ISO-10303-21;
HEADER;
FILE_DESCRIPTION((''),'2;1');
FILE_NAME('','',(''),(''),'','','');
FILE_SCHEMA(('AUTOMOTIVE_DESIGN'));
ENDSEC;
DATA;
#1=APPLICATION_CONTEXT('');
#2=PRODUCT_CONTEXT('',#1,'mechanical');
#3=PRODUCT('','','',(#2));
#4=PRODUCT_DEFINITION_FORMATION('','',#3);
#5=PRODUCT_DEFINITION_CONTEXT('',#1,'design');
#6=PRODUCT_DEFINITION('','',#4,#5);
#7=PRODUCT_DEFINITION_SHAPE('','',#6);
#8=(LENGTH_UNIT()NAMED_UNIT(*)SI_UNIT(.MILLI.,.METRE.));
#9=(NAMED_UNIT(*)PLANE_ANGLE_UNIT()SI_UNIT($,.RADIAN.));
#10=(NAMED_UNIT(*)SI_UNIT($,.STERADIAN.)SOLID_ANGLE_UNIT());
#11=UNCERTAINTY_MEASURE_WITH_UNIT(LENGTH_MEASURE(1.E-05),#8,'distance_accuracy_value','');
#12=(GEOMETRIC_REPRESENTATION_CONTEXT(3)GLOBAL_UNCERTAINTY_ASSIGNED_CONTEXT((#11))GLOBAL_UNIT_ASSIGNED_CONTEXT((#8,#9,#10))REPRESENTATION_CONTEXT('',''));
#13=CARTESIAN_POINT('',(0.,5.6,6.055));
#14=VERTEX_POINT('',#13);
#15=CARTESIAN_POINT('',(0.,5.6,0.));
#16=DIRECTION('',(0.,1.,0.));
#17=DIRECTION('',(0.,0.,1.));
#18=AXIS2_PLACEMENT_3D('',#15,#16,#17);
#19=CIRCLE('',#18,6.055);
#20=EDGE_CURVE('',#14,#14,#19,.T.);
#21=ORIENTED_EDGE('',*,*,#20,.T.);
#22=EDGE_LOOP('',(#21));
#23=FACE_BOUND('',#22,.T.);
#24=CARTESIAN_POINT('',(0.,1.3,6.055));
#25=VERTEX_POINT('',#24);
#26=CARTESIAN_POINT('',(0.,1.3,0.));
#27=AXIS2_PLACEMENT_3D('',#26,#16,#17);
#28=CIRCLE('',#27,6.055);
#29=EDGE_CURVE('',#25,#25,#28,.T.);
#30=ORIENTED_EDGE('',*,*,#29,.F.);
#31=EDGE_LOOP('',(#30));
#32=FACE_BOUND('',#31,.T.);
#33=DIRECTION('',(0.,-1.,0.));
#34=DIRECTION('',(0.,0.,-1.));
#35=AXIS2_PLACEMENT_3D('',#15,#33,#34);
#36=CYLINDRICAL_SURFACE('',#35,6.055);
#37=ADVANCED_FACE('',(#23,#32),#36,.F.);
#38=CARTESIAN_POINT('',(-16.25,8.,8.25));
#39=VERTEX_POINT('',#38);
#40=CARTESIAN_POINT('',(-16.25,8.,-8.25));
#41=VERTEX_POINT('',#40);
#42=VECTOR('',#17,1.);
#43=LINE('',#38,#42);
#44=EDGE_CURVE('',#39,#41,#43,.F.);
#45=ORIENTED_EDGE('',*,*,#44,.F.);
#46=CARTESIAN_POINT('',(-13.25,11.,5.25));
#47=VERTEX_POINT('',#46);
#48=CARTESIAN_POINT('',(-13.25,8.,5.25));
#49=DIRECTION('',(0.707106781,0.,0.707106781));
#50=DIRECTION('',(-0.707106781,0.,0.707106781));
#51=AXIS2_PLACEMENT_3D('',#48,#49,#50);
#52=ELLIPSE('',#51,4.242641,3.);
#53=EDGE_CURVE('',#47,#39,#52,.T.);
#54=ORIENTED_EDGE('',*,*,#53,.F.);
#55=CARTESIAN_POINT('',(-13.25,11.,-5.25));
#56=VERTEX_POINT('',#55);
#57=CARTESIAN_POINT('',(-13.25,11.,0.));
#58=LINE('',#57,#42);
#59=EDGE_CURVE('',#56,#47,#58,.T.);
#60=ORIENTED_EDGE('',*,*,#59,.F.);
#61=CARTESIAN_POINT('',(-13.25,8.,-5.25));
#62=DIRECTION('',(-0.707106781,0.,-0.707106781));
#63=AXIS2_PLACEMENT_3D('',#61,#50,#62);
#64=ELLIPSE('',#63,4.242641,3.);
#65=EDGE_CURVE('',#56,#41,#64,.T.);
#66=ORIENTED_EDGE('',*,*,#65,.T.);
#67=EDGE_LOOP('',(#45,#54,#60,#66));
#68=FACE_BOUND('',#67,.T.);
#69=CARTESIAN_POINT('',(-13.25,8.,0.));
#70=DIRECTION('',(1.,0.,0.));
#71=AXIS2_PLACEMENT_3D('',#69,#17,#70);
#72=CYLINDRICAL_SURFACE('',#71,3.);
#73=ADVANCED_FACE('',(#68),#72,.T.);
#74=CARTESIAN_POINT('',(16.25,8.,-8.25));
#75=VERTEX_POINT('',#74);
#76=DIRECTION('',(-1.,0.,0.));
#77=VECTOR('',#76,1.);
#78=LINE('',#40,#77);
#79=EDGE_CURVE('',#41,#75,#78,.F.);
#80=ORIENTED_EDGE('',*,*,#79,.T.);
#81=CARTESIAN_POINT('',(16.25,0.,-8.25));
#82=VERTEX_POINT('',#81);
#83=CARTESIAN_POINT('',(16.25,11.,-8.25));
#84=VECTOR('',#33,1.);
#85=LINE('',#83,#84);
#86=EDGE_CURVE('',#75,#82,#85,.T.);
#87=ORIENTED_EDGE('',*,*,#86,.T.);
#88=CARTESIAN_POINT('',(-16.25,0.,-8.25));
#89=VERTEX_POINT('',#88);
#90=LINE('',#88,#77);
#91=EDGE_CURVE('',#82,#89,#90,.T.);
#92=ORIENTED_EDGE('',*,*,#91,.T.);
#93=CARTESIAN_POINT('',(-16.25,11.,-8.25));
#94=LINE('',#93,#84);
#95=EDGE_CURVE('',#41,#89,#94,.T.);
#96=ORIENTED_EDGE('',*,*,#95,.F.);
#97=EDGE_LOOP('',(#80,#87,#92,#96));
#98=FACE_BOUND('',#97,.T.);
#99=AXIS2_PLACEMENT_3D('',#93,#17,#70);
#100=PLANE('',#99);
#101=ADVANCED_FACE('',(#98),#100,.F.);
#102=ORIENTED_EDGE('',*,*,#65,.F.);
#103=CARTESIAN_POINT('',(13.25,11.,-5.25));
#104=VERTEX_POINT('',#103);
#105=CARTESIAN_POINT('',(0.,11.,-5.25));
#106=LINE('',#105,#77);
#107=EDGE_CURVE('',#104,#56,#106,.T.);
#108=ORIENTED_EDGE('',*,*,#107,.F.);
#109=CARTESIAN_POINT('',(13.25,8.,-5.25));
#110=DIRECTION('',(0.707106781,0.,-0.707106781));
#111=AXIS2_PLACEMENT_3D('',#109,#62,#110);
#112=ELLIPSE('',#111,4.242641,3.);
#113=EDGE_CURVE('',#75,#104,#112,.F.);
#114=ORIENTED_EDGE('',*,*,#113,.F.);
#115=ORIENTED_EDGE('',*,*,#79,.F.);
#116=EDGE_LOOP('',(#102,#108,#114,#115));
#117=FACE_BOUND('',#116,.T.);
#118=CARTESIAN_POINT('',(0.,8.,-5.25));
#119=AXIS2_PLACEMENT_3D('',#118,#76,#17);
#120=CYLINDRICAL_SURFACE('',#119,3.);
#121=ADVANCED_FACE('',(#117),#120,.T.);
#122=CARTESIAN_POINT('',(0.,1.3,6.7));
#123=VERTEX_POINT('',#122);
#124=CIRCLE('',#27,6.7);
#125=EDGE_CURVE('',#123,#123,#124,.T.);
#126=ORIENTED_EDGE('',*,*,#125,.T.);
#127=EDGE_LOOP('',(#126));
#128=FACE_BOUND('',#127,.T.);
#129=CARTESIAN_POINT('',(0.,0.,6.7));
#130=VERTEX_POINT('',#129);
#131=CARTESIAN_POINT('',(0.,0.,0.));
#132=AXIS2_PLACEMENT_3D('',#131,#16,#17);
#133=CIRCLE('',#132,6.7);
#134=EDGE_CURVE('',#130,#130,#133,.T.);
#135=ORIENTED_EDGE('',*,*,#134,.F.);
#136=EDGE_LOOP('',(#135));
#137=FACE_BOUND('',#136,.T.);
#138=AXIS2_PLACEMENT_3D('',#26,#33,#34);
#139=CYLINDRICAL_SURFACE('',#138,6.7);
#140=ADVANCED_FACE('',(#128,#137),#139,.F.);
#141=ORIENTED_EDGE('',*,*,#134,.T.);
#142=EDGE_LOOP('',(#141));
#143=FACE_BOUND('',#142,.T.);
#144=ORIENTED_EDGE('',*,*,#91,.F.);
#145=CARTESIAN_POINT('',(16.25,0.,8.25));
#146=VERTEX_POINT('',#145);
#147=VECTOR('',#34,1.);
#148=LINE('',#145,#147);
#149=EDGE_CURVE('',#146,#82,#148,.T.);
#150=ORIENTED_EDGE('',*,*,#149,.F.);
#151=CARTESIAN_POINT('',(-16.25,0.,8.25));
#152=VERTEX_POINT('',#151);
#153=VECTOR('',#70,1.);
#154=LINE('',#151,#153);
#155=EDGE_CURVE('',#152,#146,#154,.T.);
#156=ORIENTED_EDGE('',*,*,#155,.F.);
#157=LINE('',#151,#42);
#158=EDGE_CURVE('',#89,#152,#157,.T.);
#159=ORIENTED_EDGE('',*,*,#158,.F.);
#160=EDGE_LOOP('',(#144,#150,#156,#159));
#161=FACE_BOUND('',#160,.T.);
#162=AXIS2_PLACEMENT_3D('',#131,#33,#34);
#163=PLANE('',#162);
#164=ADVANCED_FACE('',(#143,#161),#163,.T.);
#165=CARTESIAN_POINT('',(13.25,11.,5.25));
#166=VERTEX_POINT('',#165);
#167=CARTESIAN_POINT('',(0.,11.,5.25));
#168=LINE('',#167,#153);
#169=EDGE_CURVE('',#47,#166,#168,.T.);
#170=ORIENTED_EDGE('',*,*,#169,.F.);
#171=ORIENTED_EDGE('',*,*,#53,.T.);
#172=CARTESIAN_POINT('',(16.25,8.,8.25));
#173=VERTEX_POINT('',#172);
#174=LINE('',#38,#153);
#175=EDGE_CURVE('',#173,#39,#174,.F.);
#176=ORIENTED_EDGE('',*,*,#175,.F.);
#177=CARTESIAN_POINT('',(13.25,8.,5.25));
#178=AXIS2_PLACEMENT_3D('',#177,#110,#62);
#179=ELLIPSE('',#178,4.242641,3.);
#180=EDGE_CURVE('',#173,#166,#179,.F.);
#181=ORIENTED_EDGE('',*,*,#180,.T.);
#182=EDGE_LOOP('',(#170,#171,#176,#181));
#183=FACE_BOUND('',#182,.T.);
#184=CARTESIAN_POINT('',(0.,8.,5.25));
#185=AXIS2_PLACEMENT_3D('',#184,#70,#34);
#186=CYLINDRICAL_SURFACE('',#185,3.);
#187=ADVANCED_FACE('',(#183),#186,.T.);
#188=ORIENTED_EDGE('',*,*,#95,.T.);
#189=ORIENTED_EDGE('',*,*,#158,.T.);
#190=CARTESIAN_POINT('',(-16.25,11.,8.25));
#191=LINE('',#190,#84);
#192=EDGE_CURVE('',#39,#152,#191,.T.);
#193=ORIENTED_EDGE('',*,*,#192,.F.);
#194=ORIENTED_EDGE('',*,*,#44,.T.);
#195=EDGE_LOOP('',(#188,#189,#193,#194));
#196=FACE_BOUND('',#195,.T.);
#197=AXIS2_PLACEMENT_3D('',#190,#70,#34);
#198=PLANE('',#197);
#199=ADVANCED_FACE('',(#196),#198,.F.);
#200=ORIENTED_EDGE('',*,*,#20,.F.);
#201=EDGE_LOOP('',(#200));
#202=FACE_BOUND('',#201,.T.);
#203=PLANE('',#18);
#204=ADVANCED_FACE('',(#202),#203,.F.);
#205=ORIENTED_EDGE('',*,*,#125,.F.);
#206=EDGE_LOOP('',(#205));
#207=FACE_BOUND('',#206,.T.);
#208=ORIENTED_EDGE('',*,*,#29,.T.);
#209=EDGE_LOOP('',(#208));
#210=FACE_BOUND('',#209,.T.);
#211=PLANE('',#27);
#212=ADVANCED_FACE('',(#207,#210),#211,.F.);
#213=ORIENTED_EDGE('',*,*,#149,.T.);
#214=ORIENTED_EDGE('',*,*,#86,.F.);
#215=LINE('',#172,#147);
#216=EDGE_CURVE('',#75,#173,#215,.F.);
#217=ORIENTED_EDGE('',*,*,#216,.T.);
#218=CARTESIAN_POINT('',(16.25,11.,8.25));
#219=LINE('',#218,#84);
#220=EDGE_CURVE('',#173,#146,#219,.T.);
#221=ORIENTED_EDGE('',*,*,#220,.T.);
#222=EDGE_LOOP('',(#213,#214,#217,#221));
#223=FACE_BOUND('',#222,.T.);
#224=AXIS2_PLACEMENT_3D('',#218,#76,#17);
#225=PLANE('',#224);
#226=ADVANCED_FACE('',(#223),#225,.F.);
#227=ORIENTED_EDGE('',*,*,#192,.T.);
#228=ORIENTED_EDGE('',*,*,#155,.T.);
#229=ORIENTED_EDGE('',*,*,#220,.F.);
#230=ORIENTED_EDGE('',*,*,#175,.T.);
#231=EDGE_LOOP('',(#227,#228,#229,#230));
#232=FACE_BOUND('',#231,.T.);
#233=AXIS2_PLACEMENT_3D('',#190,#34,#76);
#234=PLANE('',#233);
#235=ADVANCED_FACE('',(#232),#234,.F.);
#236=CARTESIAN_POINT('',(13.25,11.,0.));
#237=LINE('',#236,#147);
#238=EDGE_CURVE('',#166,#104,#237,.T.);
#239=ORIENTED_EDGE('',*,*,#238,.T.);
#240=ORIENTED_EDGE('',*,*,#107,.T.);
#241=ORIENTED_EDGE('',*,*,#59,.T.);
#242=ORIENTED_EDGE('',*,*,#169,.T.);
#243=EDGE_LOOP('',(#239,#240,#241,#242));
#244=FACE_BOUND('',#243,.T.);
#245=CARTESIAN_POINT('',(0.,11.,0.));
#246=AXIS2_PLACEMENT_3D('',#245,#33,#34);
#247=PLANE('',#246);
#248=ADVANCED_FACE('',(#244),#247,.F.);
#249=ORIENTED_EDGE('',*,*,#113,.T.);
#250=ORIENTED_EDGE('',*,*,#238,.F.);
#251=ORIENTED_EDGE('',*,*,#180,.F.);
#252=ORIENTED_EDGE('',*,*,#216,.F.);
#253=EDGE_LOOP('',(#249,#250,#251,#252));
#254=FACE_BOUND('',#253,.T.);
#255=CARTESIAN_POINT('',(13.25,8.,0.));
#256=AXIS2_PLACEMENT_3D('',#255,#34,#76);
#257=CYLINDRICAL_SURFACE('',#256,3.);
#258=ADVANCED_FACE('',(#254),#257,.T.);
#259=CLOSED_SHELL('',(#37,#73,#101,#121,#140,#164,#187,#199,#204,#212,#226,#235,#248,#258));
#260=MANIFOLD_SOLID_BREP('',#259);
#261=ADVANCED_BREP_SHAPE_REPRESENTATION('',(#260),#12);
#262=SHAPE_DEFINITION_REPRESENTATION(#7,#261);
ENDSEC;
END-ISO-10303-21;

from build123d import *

# Parameters (mm, degrees)
SKETCH1_R           = 6.7
SKETCH1_R_2         = 6.055
BOSS_EXTRUDE1_DEPTH = 1.3
SKETCH1_2_R         = 6.055
BOSS_EXTRUDE2_DEPTH = 5.6
SKETCH2_W           = 32.5
SKETCH2_H           = 16.5
BOSS_EXTRUDE3_DEPTH = 11
FILLET1_R           = 3


with BuildPart() as part:
    # Sketch1 → Boss-Extrude1 (new body)
    with BuildSketch(Plane(origin=(0, 0, 0), x_dir=(1, 0, 0), z_dir=(0, 1, 0))):
        Circle(SKETCH1_R)
        Circle(SKETCH1_R_2, mode=Mode.SUBTRACT)
    extrude(amount=BOSS_EXTRUDE1_DEPTH)

    # Sketch1<2> → Boss-Extrude2 (add)
    with BuildSketch(Plane(origin=(0, 0, 0), x_dir=(1, 0, 0), z_dir=(0, 1, 0))):
        Circle(SKETCH1_2_R)
    extrude(amount=BOSS_EXTRUDE2_DEPTH)


with BuildPart() as body_2:
    # Sketch2 → Boss-Extrude3 (new body)
    with BuildSketch(Plane(origin=(0, 0, 0), x_dir=(1, 0, 0), z_dir=(0, 1, 0))):
        Rectangle(SKETCH2_W, SKETCH2_H)
    extrude(amount=BOSS_EXTRUDE3_DEPTH)

    # Combine1: cut part
    add(part.part, mode=Mode.SUBTRACT)

    # Fillet1
    fillet1_edges = [body_2.edges().sort_by_distance(p)[0] for p in [
        (0, 11, 8.25),
        (-16.25, 11, 0),
        (0, 11, -8.25),
        (16.25, 11, 0),
    ]]
    fillet(fillet1_edges, radius=FILLET1_R)


solid = body_2.part
